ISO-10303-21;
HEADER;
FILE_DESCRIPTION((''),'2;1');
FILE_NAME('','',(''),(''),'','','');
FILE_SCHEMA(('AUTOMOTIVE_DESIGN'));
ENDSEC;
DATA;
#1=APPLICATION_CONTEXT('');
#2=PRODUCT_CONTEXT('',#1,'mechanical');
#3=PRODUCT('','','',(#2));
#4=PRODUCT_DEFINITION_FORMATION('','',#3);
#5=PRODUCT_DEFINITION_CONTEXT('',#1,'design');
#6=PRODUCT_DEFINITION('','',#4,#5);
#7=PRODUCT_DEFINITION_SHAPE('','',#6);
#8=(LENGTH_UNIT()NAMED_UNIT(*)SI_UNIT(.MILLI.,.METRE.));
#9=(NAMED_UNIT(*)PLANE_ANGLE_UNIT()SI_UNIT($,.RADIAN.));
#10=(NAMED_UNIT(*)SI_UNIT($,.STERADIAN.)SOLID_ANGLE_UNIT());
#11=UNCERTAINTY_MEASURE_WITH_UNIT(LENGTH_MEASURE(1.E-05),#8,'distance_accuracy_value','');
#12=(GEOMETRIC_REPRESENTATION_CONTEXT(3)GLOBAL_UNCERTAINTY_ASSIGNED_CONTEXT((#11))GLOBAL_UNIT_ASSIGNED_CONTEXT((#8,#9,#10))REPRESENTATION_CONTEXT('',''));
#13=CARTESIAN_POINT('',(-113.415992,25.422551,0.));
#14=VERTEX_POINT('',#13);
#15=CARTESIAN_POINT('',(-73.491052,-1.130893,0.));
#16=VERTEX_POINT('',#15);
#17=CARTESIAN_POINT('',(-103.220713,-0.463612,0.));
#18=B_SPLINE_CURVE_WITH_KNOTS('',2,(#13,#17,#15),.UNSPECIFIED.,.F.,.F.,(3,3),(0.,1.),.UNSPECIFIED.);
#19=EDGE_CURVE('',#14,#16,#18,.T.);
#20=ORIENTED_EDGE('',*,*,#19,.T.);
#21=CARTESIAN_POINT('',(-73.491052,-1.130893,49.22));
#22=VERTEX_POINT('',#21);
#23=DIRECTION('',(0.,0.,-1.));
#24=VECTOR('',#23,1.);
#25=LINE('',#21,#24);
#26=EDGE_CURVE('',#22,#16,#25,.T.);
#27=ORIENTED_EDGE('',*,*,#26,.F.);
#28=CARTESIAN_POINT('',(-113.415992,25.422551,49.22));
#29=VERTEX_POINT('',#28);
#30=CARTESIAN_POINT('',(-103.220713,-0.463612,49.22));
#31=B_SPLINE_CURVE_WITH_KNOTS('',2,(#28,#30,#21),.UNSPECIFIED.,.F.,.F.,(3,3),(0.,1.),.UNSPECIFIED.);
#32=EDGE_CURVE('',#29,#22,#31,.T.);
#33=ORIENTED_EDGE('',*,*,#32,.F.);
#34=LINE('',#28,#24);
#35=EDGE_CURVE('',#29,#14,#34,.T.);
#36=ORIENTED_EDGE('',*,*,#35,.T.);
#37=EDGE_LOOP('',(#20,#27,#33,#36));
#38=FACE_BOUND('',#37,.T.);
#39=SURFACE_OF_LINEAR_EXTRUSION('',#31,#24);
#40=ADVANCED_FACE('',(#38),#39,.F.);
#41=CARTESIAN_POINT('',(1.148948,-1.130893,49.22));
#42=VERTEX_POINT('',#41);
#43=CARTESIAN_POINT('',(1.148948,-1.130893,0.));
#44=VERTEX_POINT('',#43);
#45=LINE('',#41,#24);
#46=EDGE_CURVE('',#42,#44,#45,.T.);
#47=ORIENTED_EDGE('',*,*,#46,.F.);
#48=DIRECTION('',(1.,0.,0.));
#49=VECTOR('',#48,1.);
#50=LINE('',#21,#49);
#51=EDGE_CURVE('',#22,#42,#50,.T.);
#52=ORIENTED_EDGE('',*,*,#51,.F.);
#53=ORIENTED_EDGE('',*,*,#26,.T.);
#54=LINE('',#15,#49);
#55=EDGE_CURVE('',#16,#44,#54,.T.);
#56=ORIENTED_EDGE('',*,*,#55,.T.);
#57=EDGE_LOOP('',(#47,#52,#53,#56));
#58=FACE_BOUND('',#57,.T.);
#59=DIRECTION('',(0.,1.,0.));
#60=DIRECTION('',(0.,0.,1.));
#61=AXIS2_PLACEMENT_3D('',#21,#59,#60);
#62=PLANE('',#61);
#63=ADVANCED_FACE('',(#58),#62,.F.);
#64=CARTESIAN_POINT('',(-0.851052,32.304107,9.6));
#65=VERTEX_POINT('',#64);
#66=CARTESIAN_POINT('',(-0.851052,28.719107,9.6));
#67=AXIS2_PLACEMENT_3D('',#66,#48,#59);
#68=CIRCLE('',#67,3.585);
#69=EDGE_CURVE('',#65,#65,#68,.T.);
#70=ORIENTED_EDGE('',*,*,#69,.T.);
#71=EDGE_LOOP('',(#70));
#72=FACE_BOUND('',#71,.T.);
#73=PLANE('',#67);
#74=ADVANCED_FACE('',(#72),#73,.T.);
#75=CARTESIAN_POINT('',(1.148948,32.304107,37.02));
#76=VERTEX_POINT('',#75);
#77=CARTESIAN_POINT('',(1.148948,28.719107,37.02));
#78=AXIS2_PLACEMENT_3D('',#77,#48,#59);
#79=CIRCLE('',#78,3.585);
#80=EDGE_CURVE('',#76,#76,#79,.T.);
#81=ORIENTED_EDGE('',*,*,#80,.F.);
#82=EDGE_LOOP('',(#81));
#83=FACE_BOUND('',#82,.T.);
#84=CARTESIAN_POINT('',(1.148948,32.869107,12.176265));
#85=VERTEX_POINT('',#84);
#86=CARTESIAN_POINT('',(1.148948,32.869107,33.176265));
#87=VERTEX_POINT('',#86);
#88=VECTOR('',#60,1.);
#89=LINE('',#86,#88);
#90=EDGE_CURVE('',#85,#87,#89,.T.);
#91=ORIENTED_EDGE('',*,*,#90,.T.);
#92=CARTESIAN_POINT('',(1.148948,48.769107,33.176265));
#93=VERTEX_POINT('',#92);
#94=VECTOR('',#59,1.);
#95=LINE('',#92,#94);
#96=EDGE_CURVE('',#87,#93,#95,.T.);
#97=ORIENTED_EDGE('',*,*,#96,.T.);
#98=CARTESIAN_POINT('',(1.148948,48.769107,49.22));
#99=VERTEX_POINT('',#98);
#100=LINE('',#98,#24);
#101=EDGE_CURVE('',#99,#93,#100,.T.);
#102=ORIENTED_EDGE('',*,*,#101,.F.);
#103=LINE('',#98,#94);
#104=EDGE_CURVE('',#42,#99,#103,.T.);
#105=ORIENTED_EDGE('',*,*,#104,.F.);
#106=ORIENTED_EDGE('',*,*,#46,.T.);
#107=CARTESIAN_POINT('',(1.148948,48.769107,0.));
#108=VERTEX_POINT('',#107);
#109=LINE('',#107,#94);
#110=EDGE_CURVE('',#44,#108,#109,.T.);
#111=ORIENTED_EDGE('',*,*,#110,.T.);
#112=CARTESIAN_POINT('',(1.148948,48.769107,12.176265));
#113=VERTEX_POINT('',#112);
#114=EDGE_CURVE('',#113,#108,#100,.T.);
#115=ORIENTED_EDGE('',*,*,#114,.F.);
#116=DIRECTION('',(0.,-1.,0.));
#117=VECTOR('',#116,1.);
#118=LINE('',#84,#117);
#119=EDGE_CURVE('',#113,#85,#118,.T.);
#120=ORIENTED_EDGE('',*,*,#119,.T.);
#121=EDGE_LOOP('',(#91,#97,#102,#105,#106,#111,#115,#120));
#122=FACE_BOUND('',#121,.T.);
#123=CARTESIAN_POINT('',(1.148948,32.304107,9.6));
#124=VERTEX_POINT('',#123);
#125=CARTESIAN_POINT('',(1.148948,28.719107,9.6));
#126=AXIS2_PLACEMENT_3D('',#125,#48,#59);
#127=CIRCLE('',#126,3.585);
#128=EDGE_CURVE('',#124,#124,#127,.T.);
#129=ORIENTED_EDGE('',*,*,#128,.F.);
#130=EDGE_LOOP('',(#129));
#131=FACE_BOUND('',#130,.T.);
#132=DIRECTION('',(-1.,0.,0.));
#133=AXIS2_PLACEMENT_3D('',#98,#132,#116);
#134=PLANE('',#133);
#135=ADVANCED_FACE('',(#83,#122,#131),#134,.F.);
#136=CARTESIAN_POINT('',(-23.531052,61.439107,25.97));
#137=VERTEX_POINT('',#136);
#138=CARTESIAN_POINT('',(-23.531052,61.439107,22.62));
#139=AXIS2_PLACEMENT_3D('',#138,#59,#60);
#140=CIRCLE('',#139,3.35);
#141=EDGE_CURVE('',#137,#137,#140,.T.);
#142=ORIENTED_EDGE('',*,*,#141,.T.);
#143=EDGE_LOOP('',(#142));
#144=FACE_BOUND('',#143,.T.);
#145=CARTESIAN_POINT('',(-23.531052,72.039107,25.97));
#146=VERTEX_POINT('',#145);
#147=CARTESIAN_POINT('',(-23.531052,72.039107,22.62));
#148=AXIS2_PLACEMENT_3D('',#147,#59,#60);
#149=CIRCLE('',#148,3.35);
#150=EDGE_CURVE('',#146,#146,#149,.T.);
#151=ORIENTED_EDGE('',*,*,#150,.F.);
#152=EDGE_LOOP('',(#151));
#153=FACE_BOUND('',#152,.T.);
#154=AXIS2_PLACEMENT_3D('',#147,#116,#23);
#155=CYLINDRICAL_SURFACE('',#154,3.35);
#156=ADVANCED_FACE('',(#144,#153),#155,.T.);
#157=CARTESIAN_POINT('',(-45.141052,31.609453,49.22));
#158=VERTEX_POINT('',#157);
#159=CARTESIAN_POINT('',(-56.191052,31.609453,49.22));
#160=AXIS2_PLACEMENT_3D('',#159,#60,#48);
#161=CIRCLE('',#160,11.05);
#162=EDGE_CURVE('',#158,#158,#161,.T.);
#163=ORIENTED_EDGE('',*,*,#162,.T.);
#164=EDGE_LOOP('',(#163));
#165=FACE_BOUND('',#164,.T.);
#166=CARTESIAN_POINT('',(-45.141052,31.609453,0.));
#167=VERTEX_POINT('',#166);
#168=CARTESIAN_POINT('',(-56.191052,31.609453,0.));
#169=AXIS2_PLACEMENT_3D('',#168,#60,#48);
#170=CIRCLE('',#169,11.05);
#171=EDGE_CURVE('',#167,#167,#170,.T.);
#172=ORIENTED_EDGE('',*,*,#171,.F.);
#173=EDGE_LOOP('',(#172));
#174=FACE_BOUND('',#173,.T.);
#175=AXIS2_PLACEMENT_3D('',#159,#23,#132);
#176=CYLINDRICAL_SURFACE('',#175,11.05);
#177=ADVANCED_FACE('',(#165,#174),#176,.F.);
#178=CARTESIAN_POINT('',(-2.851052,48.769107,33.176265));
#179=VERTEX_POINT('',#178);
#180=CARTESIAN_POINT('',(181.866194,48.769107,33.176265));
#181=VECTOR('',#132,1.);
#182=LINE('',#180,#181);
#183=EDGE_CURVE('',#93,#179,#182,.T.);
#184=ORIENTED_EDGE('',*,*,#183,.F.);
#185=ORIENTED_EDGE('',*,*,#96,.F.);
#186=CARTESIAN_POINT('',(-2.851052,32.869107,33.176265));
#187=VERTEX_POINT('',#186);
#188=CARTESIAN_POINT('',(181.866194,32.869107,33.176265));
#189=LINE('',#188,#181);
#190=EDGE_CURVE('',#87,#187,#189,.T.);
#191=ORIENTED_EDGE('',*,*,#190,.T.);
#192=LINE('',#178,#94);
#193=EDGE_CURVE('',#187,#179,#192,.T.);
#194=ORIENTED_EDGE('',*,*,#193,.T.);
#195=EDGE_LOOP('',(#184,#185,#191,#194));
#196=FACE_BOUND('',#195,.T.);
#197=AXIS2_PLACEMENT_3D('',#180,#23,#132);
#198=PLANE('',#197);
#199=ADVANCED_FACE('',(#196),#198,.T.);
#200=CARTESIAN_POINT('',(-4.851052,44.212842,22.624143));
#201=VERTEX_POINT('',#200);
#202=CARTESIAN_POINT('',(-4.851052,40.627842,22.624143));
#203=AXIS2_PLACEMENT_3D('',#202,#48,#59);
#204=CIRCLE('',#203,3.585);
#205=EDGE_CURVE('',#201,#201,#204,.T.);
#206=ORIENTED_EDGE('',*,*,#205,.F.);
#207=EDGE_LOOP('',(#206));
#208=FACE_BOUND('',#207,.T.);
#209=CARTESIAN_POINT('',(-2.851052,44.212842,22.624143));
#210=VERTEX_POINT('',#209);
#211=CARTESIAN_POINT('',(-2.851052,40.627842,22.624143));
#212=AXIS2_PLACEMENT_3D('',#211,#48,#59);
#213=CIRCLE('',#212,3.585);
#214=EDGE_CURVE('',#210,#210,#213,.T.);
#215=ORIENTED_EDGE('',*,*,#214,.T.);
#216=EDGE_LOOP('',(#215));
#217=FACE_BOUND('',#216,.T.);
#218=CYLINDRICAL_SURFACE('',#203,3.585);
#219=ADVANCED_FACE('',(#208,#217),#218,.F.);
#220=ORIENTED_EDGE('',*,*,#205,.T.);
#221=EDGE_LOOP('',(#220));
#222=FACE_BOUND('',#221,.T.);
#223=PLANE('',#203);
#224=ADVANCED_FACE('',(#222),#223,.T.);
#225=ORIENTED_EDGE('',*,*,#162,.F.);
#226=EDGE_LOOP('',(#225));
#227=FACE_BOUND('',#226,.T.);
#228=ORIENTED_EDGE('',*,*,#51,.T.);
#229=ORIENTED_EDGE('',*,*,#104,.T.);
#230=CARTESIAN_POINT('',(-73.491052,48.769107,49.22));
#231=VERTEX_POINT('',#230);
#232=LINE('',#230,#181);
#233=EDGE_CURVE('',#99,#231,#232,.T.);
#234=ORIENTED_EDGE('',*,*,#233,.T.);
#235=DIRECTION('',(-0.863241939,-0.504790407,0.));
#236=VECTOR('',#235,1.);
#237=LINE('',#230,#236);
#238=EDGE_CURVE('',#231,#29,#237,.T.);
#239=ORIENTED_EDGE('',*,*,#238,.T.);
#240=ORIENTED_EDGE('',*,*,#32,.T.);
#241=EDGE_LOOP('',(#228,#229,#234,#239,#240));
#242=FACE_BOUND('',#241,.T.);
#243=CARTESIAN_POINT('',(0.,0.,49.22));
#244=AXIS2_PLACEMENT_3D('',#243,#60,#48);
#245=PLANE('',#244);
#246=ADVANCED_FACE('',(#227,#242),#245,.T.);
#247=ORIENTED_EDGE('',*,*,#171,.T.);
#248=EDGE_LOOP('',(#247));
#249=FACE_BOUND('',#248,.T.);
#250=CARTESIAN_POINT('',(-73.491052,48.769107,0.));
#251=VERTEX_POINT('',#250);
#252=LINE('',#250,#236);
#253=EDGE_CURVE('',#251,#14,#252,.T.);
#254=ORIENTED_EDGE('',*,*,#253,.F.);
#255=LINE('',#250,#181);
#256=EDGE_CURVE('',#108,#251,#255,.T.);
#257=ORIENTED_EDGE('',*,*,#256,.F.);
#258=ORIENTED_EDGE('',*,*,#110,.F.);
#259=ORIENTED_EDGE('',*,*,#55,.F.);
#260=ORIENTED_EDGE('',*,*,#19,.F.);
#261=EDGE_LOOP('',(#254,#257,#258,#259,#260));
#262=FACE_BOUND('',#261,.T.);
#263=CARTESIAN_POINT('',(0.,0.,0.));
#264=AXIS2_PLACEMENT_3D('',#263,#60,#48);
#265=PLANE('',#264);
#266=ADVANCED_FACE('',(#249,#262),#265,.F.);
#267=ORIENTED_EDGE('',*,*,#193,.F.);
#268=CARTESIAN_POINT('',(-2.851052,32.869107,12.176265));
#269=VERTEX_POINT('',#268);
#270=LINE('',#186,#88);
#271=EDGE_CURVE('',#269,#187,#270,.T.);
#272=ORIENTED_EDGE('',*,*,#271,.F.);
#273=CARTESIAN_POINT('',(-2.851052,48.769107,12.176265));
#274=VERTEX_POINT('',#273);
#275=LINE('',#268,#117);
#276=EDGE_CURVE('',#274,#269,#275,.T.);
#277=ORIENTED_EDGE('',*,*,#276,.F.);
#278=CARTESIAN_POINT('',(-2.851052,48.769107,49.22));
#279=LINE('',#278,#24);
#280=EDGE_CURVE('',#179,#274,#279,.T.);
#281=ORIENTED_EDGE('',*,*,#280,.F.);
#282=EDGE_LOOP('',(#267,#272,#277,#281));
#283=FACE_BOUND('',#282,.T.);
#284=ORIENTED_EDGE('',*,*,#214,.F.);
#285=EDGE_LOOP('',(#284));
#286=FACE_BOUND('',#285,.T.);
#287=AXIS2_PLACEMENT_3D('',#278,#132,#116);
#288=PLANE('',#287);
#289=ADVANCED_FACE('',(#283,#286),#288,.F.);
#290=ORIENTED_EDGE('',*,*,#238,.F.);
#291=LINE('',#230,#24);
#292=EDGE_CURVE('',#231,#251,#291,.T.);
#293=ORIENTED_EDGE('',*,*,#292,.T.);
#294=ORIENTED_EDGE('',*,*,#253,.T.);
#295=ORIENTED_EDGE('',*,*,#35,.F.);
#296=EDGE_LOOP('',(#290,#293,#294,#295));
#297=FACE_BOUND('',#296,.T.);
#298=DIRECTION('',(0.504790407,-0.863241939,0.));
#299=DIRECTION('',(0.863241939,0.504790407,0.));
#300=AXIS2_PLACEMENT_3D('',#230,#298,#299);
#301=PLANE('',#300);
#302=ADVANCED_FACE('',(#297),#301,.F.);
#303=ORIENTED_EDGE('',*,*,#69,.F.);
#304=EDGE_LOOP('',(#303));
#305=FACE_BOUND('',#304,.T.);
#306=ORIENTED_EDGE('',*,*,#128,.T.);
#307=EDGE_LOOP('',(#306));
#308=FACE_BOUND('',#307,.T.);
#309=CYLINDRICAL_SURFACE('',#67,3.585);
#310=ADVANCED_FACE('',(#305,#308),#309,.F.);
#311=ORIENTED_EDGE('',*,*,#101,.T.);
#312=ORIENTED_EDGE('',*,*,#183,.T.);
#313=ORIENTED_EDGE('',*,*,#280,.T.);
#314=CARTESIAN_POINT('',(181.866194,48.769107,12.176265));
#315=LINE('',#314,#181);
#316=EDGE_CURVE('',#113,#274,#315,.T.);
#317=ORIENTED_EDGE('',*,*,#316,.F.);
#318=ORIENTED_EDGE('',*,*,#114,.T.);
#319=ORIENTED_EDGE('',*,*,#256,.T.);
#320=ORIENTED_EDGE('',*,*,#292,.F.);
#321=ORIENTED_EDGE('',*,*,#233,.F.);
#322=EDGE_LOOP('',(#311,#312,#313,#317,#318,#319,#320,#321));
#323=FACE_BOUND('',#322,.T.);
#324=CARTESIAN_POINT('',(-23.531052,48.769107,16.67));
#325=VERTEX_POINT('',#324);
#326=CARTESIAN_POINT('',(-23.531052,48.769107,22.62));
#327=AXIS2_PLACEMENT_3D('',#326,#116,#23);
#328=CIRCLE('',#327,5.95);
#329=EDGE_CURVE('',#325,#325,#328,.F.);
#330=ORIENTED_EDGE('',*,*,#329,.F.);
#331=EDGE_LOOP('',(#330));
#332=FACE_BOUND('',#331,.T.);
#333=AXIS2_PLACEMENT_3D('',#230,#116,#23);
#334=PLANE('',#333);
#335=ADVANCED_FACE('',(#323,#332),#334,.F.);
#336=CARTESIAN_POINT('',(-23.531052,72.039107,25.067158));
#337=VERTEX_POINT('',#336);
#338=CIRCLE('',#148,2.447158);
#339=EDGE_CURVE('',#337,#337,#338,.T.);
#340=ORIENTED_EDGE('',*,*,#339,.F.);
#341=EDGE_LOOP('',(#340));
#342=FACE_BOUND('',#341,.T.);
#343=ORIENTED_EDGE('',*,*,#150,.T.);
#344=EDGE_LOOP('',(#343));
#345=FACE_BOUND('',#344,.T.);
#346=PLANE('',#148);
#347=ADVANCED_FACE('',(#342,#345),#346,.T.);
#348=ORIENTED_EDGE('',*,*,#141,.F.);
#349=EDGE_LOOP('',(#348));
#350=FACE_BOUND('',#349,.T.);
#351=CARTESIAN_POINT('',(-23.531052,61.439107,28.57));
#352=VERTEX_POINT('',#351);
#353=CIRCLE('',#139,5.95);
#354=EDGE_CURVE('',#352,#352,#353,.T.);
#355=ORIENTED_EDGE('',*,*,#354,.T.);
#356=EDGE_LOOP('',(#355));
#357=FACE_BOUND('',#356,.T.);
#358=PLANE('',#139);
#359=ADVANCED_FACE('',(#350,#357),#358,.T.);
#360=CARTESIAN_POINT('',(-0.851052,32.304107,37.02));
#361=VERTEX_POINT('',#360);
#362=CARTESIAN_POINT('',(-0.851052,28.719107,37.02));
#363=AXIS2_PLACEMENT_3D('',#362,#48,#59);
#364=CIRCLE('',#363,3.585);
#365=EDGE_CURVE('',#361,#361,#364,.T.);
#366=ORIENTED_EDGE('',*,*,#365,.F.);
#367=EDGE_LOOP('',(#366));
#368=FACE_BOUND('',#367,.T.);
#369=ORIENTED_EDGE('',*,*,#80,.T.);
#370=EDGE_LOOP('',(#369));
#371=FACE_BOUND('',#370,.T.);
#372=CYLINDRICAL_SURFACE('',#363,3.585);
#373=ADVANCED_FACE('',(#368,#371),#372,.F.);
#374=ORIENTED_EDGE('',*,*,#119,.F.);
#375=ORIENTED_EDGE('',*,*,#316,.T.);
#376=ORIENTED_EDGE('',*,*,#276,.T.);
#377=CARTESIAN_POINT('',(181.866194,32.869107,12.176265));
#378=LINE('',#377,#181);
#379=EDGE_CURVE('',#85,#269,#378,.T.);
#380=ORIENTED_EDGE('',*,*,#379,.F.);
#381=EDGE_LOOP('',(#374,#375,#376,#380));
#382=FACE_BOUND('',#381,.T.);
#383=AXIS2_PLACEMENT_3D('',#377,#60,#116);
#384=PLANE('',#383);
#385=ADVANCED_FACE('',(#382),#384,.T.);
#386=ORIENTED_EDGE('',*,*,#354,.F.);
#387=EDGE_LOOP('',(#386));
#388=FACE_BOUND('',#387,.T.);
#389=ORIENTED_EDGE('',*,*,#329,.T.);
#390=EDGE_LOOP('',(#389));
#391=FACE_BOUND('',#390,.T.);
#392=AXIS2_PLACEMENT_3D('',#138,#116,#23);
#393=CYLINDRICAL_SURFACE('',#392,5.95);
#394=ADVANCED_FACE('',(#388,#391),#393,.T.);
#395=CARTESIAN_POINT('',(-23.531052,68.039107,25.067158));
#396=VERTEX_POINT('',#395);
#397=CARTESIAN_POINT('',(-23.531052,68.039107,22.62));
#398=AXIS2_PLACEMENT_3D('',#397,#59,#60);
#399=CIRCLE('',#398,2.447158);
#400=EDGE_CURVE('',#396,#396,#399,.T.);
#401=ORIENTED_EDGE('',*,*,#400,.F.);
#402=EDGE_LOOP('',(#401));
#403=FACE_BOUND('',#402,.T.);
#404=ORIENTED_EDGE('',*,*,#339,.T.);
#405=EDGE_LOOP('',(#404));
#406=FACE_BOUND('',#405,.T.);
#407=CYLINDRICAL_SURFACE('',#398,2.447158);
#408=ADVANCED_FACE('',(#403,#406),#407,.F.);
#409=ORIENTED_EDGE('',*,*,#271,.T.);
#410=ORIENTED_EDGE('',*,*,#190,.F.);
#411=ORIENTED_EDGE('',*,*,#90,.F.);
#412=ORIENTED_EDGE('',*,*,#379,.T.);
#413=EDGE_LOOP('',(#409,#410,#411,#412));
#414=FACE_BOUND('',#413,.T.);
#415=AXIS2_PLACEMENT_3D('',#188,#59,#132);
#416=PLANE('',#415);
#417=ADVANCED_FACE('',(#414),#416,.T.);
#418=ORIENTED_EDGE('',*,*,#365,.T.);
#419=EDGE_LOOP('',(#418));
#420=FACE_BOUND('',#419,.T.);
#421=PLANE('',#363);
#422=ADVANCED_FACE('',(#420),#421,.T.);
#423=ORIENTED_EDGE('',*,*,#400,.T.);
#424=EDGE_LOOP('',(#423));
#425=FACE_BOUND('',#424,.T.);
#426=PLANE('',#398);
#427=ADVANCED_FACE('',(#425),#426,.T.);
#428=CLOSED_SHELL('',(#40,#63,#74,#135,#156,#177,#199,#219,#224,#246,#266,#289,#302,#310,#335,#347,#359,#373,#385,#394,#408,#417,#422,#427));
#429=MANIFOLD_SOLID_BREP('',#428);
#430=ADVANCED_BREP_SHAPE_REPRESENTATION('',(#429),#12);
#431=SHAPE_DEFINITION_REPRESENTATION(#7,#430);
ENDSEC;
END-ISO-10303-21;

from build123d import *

# Parameters (mm, degrees)
SKETCH2_W               = 74.64
SKETCH2_H               = 49.9
SKETCH2_R               = 11.05
BOSS_EXTRUDE3_DEPTH     = 49.22
BOSS_EXTRUDE4_DEPTH     = 49.22
SKETCH7_R               = 5.95
BOSS_EXTRUDE5_DEPTH     = 12.67
SKETCH8_R               = 3.35
BOSS_EXTRUDE6_DEPTH     = 10.6
SKETCH9_R               = 2.447157839
CUT_EXTRUDE1_DEPTH      = 4
CUT_EXTRUDE2_DEPTH      = 145.004745584
CUT_EXTRUDE2_DEPTH_BACK = 4
SKETCH11_R              = 3.585
CUT_EXTRUDE3_DEPTH      = 2
SKETCH12_R              = 3.585
CUT_EXTRUDE4_DEPTH      = 2
SKETCH13_R              = 3.585
CUT_EXTRUDE5_DEPTH      = 2


with BuildPart() as part:
    # Sketch2 → Boss-Extrude3 (new body)
    with BuildSketch(Plane.XY):
        with Locations((-36.171052169, 23.819106833)):
            Rectangle(SKETCH2_W, SKETCH2_H)
        with Locations((-56.191052169, 31.609453319)):
            Circle(SKETCH2_R, mode=Mode.SUBTRACT)
    extrude(amount=BOSS_EXTRUDE3_DEPTH)

    # Sketch3 → Boss-Extrude4 (add)
    with BuildSketch(Plane.XY):
        with BuildLine():
            Line((-73.491052169, 48.769106833), (-113.415991852, 25.422550529))
            add(Edge.make_bspline(
                [(-73.491052169, -1.130893167), (-103.22071341, -0.46361186), (-113.415991852, 25.422550529)],
                knots=[0, 0, 0, 1, 1, 1], degree=2))
            Line((-73.491052169, -1.130893167), (-73.491052169, 48.769106833))
        make_face()
    extrude(amount=BOSS_EXTRUDE4_DEPTH)

    # Sketch7 → Boss-Extrude5 (add)
    with BuildSketch(Plane(origin=(0, 48.769106833, 0), x_dir=(1, 0, 0), z_dir=(0, 1, 0))):
        with Locations(Location((-23.531052169, -22.62, 0), (0, 0, 90))):
            Circle(SKETCH7_R)
    extrude(amount=BOSS_EXTRUDE5_DEPTH)

    # Sketch8 → Boss-Extrude6 (add)
    with BuildSketch(Plane(origin=(0, 61.439106833, 0), x_dir=(1, 0, 0), z_dir=(0, 1, 0))):
        with Locations(Location((-23.531052169, -22.62, 0), (0, 0, 270))):
            Circle(SKETCH8_R)
    extrude(amount=BOSS_EXTRUDE6_DEPTH)

    # Sketch9 → Cut-Extrude1 (cut)
    with BuildSketch(Plane(origin=(0, 72.039106833, 0), x_dir=(1, 0, 0), z_dir=(0, 1, 0))):
        with Locations(Location((-23.531052169, -22.62, 0), (0, 0, 270))):
            Circle(SKETCH9_R)
    extrude(amount=-CUT_EXTRUDE1_DEPTH, mode=Mode.SUBTRACT)

    # Sketch10 → Cut-Extrude2 (cut, two sides: drawn at the far end of the back side and taken through both)
    with BuildSketch(Plane(origin=(1.148947831, 0, 0), x_dir=(0, 0, -1), z_dir=(1, 0, 0)).offset(-CUT_EXTRUDE2_DEPTH_BACK)):
        Polygon((-33.176264777, 183.063086359), (-33.176264777, 48.769106833), (-33.176264777, 32.869106833), (-12.176264777, 32.869106833), (-12.176264777, 48.769106833), (-12.176264777, 183.063086359), (-12.176264777, 451.651045412), (-33.176264777, 451.651045412), align=None)
    extrude(amount=CUT_EXTRUDE2_DEPTH + CUT_EXTRUDE2_DEPTH_BACK, mode=Mode.SUBTRACT)

    # Sketch11 → Cut-Extrude3 (cut)
    with BuildSketch(Plane(origin=(-2.851052169, 0, 0), x_dir=(0, 0, -1), z_dir=(1, 0, 0))):
        with Locations(Location((-22.624143427, 40.627842238, 0), (0, 0, 90))):
            Circle(SKETCH11_R)
    extrude(amount=-CUT_EXTRUDE3_DEPTH, mode=Mode.SUBTRACT)

    # Sketch12 → Cut-Extrude4 (cut)
    with BuildSketch(Plane(origin=(1.148947831, 0, 0), x_dir=(0, 0, -1), z_dir=(1, 0, 0))):
        with Locations(Location((-9.6, 28.719106833, 0), (0, 0, 90))):
            Circle(SKETCH12_R)
    extrude(amount=-CUT_EXTRUDE4_DEPTH, mode=Mode.SUBTRACT)

    # Sketch13 → Cut-Extrude5 (cut)
    with BuildSketch(Plane(origin=(1.148947831, 0, 0), x_dir=(0, 0, -1), z_dir=(1, 0, 0))):
        with Locations(Location((-37.02, 28.719106833, 0), (0, 0, 90))):
            Circle(SKETCH13_R)
    extrude(amount=-CUT_EXTRUDE5_DEPTH, mode=Mode.SUBTRACT)


solid = part.part
